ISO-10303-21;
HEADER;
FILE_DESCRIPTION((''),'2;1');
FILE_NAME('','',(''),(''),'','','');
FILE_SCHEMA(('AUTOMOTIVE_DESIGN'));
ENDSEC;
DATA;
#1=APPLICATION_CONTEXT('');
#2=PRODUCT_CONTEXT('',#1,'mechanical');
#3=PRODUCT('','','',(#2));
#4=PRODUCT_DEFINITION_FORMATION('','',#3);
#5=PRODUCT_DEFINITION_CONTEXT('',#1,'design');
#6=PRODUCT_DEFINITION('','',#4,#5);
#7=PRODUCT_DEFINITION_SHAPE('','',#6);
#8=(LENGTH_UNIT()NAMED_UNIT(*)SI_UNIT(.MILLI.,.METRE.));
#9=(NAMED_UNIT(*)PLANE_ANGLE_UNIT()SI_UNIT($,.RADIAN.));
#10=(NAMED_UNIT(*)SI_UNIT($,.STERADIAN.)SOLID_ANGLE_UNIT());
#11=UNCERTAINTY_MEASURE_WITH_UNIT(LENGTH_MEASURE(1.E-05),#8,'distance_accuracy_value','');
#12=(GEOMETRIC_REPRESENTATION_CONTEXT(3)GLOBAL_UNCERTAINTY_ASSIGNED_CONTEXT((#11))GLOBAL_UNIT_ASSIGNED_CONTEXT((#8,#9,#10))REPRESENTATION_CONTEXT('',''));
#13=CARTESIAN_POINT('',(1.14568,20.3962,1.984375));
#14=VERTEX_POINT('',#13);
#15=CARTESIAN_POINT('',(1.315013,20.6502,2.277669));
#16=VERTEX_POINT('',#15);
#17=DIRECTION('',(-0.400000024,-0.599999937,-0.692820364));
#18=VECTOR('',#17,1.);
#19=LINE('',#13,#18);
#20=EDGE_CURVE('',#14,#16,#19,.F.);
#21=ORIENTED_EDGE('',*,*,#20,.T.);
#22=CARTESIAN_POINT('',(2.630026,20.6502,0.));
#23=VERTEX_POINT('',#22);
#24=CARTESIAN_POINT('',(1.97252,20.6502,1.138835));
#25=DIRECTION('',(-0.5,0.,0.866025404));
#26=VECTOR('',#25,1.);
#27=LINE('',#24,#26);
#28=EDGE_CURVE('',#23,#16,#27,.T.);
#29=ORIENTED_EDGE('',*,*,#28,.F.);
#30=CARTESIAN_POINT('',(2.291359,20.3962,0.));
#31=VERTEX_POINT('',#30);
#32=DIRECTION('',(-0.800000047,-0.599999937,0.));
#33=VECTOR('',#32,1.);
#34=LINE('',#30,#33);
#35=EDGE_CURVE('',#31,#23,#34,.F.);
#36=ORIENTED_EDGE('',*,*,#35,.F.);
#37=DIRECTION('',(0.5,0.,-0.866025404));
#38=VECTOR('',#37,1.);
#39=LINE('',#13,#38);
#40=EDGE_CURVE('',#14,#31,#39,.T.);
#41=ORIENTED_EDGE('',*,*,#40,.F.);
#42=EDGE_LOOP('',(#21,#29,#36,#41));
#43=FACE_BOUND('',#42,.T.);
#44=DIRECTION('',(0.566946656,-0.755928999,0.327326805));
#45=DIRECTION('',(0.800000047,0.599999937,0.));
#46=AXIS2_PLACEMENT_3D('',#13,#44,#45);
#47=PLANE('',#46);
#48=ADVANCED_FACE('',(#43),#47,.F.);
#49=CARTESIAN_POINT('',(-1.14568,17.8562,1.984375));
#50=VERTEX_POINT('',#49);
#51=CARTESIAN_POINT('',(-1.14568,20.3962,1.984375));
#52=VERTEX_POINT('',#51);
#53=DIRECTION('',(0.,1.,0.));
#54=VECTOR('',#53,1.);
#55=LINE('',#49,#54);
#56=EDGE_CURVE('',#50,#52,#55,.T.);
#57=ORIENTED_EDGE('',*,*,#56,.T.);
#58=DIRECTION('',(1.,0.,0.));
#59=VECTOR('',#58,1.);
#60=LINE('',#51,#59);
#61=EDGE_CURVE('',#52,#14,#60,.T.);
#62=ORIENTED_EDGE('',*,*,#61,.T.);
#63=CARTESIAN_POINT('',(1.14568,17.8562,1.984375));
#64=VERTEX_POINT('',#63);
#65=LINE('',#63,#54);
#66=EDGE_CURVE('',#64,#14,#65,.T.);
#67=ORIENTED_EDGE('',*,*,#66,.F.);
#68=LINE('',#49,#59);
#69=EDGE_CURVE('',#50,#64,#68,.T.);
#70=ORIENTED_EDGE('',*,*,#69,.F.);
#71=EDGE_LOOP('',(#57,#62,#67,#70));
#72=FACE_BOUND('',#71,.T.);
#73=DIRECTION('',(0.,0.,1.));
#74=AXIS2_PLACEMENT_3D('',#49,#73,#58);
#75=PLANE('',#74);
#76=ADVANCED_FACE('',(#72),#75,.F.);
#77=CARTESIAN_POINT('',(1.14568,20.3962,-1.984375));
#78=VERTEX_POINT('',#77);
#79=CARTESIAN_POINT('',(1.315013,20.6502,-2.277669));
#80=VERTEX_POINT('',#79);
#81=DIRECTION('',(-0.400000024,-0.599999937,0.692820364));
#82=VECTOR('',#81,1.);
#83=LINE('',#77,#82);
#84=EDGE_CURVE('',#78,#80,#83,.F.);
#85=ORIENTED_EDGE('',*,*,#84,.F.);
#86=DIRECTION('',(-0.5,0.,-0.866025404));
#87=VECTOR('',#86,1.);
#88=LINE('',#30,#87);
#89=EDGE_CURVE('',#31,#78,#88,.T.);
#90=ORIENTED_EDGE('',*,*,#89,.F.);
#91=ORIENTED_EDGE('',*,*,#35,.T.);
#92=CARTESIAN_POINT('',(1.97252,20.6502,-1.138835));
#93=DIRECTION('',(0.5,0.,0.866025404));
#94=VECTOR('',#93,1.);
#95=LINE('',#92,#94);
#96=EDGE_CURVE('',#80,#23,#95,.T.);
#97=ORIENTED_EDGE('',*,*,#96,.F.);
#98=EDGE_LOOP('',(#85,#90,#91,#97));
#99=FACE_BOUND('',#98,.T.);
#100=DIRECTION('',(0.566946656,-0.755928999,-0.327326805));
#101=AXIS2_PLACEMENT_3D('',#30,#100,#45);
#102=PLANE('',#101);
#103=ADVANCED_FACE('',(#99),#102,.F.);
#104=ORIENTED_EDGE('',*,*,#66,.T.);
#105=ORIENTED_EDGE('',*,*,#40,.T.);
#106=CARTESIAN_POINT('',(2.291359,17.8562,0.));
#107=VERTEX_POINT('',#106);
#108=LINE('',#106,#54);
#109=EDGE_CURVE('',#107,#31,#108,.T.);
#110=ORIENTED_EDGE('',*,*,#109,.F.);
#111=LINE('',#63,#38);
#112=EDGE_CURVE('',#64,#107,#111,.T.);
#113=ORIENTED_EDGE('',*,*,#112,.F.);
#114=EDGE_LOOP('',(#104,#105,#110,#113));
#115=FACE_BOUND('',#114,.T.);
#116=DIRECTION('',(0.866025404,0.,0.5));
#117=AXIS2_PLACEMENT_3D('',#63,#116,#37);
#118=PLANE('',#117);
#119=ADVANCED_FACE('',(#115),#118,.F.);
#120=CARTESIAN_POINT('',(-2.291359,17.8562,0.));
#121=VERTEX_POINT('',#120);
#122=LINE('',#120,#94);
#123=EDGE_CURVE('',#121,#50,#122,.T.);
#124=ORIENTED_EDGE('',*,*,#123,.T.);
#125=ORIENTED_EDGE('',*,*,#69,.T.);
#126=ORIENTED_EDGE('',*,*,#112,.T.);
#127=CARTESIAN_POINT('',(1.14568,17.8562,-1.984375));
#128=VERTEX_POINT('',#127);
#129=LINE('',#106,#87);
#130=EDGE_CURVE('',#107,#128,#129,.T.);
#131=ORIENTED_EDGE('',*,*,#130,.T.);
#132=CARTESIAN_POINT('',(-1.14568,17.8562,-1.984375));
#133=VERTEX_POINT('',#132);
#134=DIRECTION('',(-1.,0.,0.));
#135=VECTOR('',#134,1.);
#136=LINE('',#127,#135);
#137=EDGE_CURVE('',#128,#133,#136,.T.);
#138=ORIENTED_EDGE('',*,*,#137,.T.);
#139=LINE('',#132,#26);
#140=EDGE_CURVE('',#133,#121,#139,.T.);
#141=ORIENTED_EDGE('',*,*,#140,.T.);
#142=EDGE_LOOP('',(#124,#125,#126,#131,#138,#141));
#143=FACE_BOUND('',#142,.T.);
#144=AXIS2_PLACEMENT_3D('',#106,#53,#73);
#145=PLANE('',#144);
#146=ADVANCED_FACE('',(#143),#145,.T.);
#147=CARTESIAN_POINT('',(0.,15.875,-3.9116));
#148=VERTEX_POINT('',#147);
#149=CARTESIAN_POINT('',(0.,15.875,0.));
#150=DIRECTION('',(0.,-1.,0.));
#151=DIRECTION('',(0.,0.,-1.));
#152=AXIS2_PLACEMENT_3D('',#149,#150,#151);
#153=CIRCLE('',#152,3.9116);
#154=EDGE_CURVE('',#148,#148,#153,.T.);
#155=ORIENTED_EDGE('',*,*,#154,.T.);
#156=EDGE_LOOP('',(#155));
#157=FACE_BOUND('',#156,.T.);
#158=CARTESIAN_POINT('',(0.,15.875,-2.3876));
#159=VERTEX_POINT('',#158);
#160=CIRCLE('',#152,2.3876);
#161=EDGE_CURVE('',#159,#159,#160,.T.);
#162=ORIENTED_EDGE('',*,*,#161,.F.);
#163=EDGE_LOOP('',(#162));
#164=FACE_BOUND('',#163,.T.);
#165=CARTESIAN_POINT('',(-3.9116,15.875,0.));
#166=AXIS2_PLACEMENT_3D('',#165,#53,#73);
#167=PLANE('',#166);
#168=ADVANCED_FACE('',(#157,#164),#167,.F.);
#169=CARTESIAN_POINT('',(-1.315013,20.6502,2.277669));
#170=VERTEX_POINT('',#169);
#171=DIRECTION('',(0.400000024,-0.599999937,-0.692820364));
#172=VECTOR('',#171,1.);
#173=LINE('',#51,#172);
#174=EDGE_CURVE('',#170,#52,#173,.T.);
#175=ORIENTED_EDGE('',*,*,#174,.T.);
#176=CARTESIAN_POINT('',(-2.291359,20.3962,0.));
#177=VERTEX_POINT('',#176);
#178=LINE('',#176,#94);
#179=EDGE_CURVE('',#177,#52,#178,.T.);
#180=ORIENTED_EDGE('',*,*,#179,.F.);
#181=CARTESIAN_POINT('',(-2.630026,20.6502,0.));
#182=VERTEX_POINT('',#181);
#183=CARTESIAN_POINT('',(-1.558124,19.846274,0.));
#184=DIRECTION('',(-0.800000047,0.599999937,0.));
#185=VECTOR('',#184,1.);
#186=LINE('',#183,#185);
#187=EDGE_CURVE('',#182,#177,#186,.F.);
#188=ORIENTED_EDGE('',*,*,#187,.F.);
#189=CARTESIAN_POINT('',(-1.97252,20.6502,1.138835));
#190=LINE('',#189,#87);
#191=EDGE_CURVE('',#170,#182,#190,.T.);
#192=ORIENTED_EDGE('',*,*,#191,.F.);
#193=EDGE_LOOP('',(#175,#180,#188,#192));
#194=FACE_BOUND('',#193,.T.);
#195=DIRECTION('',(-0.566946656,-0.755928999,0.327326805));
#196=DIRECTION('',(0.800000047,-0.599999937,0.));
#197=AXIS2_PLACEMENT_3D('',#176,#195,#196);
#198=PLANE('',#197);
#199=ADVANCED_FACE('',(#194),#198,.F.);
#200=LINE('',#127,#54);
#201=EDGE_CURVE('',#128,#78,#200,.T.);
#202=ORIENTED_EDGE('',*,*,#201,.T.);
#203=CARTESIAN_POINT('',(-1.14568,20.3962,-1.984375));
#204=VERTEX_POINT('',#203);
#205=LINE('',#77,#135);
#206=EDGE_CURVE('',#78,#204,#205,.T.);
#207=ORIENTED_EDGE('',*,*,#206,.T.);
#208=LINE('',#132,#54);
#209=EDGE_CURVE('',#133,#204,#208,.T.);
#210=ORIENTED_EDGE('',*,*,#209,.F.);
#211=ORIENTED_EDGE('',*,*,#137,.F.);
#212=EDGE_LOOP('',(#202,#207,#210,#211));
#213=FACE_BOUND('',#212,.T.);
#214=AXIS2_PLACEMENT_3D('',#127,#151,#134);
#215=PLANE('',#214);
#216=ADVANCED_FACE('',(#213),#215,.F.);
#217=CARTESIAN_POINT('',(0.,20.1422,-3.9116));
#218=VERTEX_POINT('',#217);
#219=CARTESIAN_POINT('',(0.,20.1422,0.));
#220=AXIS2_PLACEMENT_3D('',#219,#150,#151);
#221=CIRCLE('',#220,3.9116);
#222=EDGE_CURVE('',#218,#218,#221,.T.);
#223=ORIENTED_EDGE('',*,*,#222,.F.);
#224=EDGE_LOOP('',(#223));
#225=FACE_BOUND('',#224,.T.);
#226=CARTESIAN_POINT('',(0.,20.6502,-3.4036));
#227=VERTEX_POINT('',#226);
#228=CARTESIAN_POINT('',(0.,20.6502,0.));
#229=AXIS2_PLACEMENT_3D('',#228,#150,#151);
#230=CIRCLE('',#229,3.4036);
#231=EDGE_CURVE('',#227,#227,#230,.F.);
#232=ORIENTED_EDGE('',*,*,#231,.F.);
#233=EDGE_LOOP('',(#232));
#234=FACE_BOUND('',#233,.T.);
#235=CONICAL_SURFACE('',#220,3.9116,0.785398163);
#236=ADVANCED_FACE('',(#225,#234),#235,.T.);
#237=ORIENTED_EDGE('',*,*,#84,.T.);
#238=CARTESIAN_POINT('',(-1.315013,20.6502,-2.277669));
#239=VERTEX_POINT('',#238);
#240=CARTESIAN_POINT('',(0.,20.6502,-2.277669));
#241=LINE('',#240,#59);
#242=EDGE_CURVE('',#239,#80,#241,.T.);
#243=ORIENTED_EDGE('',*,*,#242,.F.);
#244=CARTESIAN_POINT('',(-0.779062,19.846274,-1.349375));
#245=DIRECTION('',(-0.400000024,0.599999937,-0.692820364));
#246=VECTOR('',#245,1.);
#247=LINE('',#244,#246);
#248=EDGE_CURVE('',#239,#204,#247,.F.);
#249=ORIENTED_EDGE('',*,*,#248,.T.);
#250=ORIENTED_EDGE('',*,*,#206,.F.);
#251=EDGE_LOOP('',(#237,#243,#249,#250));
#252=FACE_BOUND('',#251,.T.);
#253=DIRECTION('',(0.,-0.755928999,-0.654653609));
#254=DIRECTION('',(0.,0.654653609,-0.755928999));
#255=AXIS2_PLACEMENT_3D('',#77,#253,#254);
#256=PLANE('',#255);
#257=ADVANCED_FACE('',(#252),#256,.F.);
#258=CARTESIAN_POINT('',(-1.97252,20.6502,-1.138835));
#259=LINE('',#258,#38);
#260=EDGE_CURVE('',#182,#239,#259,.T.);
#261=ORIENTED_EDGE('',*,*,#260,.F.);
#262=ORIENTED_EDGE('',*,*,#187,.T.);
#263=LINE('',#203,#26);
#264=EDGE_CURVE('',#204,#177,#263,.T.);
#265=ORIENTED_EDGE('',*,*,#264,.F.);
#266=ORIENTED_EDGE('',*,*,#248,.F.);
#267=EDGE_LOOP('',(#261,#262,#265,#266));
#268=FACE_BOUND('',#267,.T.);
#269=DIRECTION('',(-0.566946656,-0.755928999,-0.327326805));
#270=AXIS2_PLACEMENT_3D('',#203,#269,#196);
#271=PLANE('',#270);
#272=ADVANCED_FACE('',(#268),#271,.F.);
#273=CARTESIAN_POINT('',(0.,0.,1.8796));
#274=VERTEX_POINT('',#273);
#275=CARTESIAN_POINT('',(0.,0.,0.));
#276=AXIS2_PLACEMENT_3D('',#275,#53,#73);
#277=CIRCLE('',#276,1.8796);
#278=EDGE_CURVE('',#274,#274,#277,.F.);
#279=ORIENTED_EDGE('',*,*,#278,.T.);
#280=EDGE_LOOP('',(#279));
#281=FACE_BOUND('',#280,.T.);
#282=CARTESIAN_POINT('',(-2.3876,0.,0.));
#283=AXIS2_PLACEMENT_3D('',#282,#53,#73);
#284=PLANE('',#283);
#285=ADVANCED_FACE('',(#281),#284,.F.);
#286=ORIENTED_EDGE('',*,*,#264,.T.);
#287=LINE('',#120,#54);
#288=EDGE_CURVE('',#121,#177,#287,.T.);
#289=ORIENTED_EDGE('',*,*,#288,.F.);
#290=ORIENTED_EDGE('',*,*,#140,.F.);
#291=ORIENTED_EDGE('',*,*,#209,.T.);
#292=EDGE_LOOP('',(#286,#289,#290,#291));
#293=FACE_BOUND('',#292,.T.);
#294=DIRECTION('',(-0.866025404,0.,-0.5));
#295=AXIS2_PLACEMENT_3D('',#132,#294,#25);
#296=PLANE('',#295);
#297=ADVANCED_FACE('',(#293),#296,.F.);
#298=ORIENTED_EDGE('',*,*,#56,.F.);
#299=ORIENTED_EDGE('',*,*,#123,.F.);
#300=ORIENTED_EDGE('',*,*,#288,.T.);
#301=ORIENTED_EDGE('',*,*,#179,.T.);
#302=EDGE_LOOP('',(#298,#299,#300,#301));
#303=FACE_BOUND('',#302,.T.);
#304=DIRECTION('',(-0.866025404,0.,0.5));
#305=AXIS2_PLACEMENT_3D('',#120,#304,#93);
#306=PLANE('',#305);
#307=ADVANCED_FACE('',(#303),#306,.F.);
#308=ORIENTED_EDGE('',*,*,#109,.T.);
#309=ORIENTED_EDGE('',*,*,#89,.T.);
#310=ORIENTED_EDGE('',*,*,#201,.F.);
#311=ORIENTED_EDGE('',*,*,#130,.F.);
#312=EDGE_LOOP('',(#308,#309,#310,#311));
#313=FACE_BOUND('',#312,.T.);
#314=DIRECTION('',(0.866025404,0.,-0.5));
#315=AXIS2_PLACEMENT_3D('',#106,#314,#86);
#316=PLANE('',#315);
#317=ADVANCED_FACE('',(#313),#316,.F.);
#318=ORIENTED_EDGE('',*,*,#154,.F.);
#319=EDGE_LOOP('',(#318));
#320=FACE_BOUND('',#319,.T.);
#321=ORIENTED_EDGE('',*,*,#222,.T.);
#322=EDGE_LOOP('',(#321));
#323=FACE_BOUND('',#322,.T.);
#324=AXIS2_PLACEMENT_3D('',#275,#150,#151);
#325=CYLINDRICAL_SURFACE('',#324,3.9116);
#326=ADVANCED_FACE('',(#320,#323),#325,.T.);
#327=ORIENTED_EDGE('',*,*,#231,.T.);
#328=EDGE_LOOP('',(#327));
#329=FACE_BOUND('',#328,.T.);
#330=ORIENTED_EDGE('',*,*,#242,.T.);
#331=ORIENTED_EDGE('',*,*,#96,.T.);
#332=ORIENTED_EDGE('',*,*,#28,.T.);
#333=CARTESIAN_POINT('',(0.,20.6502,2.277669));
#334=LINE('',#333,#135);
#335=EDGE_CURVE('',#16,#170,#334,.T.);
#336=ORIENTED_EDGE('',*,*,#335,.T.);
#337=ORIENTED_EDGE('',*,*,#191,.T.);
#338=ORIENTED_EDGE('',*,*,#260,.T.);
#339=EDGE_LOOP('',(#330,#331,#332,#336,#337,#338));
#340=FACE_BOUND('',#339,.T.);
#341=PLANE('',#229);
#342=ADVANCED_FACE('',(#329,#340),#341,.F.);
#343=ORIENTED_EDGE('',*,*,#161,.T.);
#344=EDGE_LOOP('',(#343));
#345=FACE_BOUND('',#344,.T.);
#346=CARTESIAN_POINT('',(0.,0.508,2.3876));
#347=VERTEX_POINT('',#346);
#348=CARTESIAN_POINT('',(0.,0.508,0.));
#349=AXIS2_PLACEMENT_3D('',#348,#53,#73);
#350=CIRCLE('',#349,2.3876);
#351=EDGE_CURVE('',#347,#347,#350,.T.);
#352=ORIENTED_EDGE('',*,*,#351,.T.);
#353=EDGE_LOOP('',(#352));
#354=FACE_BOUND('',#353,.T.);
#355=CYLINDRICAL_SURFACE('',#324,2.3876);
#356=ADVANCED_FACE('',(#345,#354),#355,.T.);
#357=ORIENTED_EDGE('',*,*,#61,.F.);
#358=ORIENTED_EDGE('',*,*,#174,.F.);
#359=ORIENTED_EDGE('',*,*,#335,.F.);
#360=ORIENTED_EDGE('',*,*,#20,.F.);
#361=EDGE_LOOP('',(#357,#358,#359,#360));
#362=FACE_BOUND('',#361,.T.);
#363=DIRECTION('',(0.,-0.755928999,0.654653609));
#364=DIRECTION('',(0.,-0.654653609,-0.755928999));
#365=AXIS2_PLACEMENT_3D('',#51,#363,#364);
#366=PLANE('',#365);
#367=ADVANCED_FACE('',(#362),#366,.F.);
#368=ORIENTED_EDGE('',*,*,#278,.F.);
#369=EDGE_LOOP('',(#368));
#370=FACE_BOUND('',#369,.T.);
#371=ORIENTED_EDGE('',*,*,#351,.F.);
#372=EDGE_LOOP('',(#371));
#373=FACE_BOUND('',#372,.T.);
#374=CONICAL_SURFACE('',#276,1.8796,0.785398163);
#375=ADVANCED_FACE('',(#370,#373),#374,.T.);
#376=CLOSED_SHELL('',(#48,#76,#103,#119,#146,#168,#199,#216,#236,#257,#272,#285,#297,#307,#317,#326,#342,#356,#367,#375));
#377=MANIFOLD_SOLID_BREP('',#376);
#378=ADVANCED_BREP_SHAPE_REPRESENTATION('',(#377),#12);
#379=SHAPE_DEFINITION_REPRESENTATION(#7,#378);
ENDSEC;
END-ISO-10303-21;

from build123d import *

# Parameters (mm, degrees)
EXTRUDE1_DEPTH = 2.794
CHAMFER1_SIZE  = 0.508
CHAMFER2_SIZE  = 0.29329394
CHAMFER2_SIZE2 = 0.253999961


with BuildPart() as part:
    # Sketch1 → Revolve1 (revolve)
    with BuildSketch(Plane.XY):
        Polygon((0, 0), (0, 20.6502), (-3.9116, 20.6502), (-3.9116, 15.875), (-2.3876, 15.875), (-2.3876, 0), align=None)
    revolve(axis=Axis((0, 0, 0), (0, 1, 0)))

    # Sketch2 → Extrude1 (cut)
    with BuildSketch(Plane(origin=(0, 20.6502, 0), x_dir=(1, 0, 0), z_dir=(0, 1, 0))):
        Polygon((2.2913594, 0), (1.1456797, 1.98437545), (-1.1456797, 1.98437545), (-2.2913594, 0), (-1.1456797, -1.98437545), (1.1456797, -1.98437545), align=None)
    extrude(amount=-EXTRUDE1_DEPTH, mode=Mode.SUBTRACT)

    # Chamfer1
    chamfer1_edges = [part.edges().sort_by_distance(p)[0] for p in [
        (2.3876, 0, 0),
        (3.9116, 20.6502, 0),
    ]]
    chamfer(chamfer1_edges, length=CHAMFER1_SIZE)

    # Chamfer2
    chamfer2_edges = [part.edges().sort_by_distance(p)[0] for p in [
        (1.71851955, 20.6502, 0.992187725),
        (1.71851955, 20.6502, -0.992187725),
        (0, 20.6502, -1.98437545),
        (-1.71851955, 20.6502, -0.992187725),
        (-1.71851955, 20.6502, 0.992187725),
        (0, 20.6502, 1.98437545),
    ]]
    chamfer2_side = [part.faces().sort_by_distance(p)[0] for p in [
        (3.307331654, 20.6502, 0),
    ]]
    chamfer(chamfer2_edges, length=CHAMFER2_SIZE, length2=CHAMFER2_SIZE2, reference=chamfer2_side[0])


solid = part.part
